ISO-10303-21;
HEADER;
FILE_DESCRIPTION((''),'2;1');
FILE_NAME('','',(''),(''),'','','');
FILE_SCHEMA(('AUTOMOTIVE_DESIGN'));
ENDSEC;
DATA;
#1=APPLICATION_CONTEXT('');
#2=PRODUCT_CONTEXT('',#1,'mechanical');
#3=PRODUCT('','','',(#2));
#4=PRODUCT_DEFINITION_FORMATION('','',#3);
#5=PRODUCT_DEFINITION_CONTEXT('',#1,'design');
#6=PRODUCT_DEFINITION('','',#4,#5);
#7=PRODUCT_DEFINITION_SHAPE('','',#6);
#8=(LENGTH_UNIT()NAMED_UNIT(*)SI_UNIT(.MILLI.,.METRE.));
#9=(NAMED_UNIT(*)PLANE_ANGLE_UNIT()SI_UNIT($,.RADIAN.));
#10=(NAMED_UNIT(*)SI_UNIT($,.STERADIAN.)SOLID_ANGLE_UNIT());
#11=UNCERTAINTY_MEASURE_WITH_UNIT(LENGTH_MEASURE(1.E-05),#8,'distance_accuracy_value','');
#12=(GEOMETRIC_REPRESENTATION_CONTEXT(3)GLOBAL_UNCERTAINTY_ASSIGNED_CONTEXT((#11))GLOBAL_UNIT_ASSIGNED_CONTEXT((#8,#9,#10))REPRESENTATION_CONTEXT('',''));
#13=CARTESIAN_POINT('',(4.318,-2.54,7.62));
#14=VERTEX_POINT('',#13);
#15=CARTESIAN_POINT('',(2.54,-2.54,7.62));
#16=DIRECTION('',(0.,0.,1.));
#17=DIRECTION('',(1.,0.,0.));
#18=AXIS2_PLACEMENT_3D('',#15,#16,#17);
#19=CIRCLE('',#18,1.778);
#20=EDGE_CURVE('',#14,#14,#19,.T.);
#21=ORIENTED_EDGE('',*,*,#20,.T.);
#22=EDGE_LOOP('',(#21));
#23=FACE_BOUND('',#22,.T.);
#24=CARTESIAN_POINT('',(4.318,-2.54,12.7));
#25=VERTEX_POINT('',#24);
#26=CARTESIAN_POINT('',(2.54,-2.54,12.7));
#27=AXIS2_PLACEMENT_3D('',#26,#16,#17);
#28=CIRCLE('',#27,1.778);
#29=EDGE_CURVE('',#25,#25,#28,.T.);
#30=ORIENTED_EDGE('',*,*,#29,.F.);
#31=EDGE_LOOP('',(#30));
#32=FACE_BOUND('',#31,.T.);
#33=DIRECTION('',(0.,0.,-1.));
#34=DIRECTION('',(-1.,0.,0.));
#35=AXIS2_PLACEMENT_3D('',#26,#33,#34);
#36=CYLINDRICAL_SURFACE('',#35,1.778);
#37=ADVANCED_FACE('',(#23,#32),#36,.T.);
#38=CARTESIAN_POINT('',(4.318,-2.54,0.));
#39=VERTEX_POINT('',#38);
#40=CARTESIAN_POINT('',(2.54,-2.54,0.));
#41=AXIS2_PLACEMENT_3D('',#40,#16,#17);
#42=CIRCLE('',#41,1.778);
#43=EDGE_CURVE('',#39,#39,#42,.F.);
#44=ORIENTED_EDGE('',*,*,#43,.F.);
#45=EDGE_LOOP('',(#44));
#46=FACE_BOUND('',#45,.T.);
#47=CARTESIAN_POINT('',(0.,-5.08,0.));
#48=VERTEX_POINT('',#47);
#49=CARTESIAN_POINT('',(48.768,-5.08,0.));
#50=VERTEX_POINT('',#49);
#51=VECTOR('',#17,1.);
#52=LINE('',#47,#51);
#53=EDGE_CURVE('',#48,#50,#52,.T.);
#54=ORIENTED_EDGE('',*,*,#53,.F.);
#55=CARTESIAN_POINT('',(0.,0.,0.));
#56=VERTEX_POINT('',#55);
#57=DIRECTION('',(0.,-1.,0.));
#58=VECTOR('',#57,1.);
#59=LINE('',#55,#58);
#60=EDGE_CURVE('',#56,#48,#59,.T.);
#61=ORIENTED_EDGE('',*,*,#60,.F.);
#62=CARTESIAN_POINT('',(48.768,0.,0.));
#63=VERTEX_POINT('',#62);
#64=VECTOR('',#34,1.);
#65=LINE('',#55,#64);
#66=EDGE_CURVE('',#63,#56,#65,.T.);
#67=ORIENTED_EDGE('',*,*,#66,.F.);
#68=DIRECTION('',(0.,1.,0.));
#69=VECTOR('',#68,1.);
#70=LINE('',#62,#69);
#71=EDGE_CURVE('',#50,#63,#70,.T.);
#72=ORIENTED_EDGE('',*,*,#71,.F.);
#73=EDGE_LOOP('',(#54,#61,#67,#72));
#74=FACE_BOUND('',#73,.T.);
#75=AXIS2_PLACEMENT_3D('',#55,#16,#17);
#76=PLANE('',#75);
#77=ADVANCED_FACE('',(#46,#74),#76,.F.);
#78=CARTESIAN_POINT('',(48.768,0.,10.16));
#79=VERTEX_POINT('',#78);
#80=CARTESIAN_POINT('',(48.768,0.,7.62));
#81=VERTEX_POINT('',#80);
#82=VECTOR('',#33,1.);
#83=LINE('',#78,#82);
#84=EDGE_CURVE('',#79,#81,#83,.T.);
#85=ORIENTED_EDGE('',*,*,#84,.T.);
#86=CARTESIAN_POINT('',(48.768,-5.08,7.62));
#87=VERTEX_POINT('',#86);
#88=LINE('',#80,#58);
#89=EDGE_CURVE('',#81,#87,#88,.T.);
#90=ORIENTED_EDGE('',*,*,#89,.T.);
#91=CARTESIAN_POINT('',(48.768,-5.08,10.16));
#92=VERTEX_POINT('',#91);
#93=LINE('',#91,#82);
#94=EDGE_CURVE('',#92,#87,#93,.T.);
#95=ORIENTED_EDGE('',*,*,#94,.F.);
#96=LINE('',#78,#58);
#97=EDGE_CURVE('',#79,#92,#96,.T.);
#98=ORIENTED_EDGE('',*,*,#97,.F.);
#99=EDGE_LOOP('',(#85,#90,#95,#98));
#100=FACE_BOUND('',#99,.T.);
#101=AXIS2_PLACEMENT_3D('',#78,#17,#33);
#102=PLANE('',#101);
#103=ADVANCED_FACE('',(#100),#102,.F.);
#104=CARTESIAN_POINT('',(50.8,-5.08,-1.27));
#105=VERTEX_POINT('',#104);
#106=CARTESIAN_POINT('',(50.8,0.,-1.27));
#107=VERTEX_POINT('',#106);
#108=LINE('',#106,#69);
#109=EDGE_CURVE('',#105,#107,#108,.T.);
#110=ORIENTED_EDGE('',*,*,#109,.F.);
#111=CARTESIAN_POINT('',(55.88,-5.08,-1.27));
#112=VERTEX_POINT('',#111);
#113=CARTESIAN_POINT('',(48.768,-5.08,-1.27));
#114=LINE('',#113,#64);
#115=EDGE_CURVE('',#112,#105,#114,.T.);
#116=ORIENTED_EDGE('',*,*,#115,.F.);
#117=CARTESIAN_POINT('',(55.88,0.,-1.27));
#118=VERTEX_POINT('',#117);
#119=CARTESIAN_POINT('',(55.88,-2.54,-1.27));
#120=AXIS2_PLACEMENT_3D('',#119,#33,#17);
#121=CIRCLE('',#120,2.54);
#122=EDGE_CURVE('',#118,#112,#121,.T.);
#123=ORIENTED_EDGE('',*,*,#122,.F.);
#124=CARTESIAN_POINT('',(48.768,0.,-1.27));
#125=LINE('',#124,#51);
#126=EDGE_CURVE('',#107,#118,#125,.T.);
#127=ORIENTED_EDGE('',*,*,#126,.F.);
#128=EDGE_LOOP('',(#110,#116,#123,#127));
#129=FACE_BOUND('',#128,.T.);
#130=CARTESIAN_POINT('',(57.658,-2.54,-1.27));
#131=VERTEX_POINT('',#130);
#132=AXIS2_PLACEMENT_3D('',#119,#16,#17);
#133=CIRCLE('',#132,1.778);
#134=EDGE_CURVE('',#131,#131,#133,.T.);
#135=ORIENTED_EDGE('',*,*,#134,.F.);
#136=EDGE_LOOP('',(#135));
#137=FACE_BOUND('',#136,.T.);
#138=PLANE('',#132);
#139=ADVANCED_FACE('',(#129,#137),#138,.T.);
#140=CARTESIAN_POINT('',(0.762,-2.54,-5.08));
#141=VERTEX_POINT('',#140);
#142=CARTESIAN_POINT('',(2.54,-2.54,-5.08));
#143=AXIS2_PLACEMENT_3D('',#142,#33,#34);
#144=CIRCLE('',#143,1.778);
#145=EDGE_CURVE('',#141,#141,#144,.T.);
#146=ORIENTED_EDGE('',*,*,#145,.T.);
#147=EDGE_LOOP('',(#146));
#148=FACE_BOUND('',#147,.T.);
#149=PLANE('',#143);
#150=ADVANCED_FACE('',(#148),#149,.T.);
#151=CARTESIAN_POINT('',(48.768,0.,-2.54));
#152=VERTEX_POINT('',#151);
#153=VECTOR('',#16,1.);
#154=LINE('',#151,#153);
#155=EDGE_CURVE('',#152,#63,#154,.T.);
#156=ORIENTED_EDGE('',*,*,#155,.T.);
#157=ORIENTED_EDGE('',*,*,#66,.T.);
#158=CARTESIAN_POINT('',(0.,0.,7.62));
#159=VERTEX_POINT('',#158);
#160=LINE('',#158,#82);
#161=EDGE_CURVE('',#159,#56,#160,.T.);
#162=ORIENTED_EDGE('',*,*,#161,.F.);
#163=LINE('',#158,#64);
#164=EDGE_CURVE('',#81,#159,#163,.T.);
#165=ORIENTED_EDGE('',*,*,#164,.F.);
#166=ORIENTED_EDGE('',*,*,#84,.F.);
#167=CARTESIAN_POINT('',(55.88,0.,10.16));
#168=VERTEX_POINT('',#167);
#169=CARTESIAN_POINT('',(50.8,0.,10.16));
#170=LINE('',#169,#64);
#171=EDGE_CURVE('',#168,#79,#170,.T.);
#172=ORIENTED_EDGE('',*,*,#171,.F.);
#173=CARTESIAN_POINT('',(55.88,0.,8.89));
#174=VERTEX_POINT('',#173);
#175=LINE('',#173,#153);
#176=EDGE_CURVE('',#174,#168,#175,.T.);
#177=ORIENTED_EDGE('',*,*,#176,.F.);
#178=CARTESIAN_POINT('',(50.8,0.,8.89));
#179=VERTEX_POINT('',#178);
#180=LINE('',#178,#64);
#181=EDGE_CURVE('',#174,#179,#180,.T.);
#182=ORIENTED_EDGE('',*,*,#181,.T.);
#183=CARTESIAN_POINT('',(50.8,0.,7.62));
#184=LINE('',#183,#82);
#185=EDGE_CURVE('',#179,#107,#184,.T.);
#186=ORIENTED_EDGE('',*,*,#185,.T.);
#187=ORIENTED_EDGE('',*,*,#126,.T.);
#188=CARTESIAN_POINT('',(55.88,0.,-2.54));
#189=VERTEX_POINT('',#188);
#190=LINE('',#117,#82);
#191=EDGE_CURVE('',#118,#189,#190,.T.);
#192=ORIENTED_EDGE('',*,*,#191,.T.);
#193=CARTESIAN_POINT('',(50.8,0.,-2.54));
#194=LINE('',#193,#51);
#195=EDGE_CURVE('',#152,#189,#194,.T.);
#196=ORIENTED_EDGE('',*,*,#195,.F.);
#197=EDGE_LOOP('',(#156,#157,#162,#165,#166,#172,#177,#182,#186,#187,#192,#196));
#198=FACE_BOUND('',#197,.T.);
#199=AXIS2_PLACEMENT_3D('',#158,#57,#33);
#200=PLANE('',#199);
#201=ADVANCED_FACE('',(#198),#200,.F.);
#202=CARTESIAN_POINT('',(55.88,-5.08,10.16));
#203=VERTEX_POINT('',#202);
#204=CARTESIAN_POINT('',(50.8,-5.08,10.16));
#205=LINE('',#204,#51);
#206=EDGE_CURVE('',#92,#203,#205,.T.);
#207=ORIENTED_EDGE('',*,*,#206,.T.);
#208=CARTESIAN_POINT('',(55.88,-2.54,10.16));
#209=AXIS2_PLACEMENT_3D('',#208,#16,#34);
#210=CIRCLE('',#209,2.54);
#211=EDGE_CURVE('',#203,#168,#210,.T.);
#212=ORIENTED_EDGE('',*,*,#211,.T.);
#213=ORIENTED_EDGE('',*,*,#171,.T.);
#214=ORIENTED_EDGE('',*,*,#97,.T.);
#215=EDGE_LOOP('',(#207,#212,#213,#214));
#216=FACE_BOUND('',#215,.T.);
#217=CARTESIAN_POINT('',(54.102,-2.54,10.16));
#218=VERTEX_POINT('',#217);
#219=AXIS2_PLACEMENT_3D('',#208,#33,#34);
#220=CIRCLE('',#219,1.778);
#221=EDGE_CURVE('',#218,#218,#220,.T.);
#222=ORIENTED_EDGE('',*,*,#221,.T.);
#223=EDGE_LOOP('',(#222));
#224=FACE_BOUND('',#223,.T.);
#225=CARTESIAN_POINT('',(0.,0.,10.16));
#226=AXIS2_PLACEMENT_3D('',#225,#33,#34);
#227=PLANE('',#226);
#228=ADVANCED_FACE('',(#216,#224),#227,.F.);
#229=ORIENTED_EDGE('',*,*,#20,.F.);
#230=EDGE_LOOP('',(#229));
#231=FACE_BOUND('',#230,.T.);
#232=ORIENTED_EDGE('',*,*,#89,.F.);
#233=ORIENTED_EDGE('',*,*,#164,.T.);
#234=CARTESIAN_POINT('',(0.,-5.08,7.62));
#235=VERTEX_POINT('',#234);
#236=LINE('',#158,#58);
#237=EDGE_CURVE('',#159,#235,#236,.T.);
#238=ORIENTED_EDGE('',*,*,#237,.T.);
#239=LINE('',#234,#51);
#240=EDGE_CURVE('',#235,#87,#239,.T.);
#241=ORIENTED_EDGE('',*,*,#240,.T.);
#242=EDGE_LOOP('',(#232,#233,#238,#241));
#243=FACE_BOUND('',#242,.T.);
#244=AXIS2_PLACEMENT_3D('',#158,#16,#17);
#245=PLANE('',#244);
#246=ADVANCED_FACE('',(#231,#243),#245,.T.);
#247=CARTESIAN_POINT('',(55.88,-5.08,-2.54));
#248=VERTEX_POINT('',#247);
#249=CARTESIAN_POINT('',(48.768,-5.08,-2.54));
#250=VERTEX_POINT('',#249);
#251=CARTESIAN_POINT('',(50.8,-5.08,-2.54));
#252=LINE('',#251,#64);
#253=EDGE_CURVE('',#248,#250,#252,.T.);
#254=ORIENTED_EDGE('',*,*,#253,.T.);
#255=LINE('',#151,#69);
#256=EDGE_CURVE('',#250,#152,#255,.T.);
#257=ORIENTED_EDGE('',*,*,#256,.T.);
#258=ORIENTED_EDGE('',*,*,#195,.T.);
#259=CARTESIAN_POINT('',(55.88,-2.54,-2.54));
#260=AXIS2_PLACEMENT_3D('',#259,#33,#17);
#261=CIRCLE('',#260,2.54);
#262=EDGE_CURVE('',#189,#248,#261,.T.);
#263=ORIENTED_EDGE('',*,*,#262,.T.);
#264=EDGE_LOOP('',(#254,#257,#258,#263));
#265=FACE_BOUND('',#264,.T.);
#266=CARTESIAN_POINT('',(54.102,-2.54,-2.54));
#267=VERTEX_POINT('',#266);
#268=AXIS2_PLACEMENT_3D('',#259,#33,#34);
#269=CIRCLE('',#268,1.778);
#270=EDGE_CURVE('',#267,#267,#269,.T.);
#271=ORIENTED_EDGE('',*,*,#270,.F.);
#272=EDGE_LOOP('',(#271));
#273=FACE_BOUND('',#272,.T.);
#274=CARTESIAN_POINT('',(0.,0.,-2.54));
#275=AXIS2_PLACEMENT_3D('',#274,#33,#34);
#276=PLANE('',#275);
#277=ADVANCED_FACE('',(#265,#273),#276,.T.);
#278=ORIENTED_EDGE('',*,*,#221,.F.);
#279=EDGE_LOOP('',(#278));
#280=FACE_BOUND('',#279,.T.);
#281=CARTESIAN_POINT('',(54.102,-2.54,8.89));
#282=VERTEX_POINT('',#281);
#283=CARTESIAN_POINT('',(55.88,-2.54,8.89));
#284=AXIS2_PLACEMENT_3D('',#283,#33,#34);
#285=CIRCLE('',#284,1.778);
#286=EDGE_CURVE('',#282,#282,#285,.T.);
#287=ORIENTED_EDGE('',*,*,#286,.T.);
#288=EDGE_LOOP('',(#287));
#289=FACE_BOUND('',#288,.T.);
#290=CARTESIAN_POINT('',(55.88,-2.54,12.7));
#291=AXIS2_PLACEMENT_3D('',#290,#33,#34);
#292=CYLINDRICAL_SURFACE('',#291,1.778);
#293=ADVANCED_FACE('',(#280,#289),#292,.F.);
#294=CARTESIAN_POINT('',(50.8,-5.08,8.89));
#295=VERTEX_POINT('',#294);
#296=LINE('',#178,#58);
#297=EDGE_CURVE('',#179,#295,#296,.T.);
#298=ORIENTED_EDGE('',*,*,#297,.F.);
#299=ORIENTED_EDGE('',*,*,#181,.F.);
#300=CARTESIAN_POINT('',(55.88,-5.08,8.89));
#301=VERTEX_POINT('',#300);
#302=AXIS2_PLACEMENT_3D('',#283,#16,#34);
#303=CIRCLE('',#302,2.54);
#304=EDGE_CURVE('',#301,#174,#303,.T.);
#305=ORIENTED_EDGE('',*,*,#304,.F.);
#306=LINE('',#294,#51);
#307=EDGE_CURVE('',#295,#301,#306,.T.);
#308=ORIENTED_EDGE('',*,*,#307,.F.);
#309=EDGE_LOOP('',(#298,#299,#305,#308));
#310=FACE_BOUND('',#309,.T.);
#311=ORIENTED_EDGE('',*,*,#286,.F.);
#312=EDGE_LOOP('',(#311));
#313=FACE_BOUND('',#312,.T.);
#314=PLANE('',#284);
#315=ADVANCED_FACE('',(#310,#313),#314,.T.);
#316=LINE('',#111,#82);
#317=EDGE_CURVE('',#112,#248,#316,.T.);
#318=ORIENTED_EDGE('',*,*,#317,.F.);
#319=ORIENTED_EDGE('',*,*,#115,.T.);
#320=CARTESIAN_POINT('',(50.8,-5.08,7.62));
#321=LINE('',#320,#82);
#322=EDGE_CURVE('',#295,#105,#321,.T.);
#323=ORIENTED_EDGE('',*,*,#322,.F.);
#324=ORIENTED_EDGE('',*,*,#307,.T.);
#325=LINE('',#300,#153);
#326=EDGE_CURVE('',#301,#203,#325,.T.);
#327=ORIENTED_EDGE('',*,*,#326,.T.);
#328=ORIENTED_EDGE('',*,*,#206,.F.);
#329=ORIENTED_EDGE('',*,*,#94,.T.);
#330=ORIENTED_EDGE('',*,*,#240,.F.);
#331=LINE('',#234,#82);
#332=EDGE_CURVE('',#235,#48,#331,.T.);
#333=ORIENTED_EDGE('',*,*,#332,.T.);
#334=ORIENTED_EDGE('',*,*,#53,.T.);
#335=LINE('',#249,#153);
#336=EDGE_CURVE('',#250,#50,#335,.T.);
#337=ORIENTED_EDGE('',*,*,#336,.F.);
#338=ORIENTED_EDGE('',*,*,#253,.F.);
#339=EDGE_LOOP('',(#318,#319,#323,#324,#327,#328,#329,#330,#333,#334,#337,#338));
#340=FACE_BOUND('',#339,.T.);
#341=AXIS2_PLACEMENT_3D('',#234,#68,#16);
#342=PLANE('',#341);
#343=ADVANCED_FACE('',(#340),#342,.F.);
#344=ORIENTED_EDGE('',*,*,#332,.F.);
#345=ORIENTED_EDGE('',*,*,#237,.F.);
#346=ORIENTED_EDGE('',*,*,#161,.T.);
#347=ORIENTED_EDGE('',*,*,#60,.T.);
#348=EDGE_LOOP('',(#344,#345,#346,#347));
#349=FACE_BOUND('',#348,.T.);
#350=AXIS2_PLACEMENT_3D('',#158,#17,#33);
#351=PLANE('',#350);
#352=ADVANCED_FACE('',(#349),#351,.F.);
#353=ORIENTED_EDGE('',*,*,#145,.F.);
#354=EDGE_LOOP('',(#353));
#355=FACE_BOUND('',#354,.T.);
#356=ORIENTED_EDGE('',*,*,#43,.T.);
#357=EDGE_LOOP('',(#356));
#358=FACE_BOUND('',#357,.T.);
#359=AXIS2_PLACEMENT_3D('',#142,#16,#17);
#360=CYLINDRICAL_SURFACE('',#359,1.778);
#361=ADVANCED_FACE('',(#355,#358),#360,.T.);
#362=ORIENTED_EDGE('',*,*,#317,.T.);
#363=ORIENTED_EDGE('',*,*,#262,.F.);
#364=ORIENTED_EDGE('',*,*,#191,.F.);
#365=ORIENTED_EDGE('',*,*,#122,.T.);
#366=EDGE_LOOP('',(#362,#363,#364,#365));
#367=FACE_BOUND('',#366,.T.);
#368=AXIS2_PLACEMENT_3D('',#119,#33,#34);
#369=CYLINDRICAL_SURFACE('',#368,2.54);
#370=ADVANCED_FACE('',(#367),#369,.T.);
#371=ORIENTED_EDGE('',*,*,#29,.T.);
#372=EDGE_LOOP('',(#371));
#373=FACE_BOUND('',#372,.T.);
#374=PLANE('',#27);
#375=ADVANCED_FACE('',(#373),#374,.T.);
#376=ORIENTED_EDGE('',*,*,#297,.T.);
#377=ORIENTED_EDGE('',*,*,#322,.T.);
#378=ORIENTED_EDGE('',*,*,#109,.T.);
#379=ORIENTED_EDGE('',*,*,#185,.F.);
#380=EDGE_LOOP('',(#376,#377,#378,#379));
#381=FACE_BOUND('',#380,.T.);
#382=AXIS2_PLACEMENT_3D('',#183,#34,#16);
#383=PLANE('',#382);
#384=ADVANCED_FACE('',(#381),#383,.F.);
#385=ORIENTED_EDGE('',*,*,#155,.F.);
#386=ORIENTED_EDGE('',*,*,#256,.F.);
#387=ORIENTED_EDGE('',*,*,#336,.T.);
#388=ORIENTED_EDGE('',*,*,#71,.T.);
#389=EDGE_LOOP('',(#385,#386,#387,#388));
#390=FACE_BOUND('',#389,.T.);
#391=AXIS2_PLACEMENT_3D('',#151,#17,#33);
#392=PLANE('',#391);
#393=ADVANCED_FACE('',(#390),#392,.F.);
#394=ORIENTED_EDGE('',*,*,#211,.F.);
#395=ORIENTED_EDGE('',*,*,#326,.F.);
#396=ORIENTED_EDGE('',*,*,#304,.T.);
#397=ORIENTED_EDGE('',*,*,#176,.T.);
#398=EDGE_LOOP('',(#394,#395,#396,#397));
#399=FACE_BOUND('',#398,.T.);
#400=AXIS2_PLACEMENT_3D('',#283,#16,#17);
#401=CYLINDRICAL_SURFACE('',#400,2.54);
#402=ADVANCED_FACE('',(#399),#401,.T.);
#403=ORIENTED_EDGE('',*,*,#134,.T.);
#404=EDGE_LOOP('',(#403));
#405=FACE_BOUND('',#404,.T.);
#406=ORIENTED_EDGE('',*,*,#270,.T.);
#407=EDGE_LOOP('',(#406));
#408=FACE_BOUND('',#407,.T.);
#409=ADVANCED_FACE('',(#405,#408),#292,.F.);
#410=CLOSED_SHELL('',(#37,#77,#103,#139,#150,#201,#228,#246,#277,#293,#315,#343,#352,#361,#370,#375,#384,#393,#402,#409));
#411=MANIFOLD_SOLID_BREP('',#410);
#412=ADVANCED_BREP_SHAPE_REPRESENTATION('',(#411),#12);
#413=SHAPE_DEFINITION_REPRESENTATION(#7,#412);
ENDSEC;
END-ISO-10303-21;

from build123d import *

# Parameters (mm, degrees)
SKETCH1_W           = 50.8
SKETCH1_H           = 5.08
BOSS_EXTRUDE1_DEPTH = 7.62
SKETCH2_R           = 1.778
BOSS_EXTRUDE2_DEPTH = 5.08
BOSS_EXTRUDE3_START = 5.08
SKETCH3_R           = 1.778
BOSS_EXTRUDE3_DEPTH = 5.08
SKETCH4_W           = 2.032
SKETCH4_H           = 5.08
BOSS_EXTRUDE4_DEPTH = 2.54
BOSS_EXTRUDE5_DEPTH = 1.27
SKETCH6_W           = 2.032
SKETCH6_H           = 5.08
BOSS_EXTRUDE6_DEPTH = 2.54
BOSS_EXTRUDE7_START = -1.27
BOSS_EXTRUDE7_DEPTH = 1.27
SKETCH8_R           = 1.778
CUT_EXTRUDE1_DEPTH  = 61.588451045


with BuildPart() as part:
    # Sketch1 → Boss-Extrude1 (new body)
    with BuildSketch(Plane.XY):
        with Locations((25.4, -2.54)):
            Rectangle(SKETCH1_W, SKETCH1_H)
    extrude(amount=BOSS_EXTRUDE1_DEPTH)

    # Sketch2 → Boss-Extrude2 (add)
    with BuildSketch(Plane.XY.offset(7.62)):
        with Locations((2.54, -2.54)):
            Circle(SKETCH2_R)
    extrude(amount=BOSS_EXTRUDE2_DEPTH)

    # Sketch3 → Boss-Extrude3 (add)
    with BuildSketch(Plane(origin=(0, 0, 0), x_dir=(-1, 0, 0), z_dir=(0, 0, -1)).offset(BOSS_EXTRUDE3_START)):
        with Locations(Location((-2.54, -2.54, 0), (0, 0, 180))):
            Circle(SKETCH3_R)
    extrude(amount=-BOSS_EXTRUDE3_DEPTH)

    # Sketch4 → Boss-Extrude4 (add)
    with BuildSketch(Plane.XY.offset(7.62)):
        with Locations((49.784, -2.54)):
            Rectangle(SKETCH4_W, SKETCH4_H)
    extrude(amount=BOSS_EXTRUDE4_DEPTH)

    # Sketch5 → Boss-Extrude5 (add)
    with BuildSketch(Plane.XY.offset(10.16)):
        with BuildLine():
            Line((50.8, 0), (55.88, 0))
            ThreePointArc((55.88, 0), (58.42, -2.54), (55.88, -5.08))
            Line((55.88, -5.08), (50.8, -5.08))
            Line((50.8, -5.08), (50.8, 0))
        make_face()
    extrude(amount=-BOSS_EXTRUDE5_DEPTH)

    # Sketch6 → Boss-Extrude6 (add)
    with BuildSketch(Plane(origin=(0, 0, 0), x_dir=(-1, 0, 0), z_dir=(0, 0, -1))):
        with Locations((-49.784, -2.54)):
            Rectangle(SKETCH6_W, SKETCH6_H)
    extrude(amount=BOSS_EXTRUDE6_DEPTH)

    # Sketch7 → Boss-Extrude7 (add)
    with BuildSketch(Plane(origin=(0, 0, -2.54), x_dir=(-1, 0, 0), z_dir=(0, 0, -1)).offset(BOSS_EXTRUDE7_START)):
        with BuildLine():
            Line((-48.768, 0), (-55.88, 0))
            ThreePointArc((-55.88, 0), (-58.42, -2.54), (-55.88, -5.08))
            Line((-55.88, -5.08), (-48.768, -5.08))
            Line((-48.768, -5.08), (-48.768, 0))
        make_face()
    extrude(amount=BOSS_EXTRUDE7_DEPTH)

    # Sketch8 → Cut-Extrude1 (cut, through all)
    with BuildSketch(Plane(origin=(0, 0, -2.54), x_dir=(-1, 0, 0), z_dir=(0, 0, -1))):
        with Locations((-55.88, -2.54)):
            Circle(SKETCH8_R)
    extrude(amount=-CUT_EXTRUDE1_DEPTH, mode=Mode.SUBTRACT)


solid = part.part
